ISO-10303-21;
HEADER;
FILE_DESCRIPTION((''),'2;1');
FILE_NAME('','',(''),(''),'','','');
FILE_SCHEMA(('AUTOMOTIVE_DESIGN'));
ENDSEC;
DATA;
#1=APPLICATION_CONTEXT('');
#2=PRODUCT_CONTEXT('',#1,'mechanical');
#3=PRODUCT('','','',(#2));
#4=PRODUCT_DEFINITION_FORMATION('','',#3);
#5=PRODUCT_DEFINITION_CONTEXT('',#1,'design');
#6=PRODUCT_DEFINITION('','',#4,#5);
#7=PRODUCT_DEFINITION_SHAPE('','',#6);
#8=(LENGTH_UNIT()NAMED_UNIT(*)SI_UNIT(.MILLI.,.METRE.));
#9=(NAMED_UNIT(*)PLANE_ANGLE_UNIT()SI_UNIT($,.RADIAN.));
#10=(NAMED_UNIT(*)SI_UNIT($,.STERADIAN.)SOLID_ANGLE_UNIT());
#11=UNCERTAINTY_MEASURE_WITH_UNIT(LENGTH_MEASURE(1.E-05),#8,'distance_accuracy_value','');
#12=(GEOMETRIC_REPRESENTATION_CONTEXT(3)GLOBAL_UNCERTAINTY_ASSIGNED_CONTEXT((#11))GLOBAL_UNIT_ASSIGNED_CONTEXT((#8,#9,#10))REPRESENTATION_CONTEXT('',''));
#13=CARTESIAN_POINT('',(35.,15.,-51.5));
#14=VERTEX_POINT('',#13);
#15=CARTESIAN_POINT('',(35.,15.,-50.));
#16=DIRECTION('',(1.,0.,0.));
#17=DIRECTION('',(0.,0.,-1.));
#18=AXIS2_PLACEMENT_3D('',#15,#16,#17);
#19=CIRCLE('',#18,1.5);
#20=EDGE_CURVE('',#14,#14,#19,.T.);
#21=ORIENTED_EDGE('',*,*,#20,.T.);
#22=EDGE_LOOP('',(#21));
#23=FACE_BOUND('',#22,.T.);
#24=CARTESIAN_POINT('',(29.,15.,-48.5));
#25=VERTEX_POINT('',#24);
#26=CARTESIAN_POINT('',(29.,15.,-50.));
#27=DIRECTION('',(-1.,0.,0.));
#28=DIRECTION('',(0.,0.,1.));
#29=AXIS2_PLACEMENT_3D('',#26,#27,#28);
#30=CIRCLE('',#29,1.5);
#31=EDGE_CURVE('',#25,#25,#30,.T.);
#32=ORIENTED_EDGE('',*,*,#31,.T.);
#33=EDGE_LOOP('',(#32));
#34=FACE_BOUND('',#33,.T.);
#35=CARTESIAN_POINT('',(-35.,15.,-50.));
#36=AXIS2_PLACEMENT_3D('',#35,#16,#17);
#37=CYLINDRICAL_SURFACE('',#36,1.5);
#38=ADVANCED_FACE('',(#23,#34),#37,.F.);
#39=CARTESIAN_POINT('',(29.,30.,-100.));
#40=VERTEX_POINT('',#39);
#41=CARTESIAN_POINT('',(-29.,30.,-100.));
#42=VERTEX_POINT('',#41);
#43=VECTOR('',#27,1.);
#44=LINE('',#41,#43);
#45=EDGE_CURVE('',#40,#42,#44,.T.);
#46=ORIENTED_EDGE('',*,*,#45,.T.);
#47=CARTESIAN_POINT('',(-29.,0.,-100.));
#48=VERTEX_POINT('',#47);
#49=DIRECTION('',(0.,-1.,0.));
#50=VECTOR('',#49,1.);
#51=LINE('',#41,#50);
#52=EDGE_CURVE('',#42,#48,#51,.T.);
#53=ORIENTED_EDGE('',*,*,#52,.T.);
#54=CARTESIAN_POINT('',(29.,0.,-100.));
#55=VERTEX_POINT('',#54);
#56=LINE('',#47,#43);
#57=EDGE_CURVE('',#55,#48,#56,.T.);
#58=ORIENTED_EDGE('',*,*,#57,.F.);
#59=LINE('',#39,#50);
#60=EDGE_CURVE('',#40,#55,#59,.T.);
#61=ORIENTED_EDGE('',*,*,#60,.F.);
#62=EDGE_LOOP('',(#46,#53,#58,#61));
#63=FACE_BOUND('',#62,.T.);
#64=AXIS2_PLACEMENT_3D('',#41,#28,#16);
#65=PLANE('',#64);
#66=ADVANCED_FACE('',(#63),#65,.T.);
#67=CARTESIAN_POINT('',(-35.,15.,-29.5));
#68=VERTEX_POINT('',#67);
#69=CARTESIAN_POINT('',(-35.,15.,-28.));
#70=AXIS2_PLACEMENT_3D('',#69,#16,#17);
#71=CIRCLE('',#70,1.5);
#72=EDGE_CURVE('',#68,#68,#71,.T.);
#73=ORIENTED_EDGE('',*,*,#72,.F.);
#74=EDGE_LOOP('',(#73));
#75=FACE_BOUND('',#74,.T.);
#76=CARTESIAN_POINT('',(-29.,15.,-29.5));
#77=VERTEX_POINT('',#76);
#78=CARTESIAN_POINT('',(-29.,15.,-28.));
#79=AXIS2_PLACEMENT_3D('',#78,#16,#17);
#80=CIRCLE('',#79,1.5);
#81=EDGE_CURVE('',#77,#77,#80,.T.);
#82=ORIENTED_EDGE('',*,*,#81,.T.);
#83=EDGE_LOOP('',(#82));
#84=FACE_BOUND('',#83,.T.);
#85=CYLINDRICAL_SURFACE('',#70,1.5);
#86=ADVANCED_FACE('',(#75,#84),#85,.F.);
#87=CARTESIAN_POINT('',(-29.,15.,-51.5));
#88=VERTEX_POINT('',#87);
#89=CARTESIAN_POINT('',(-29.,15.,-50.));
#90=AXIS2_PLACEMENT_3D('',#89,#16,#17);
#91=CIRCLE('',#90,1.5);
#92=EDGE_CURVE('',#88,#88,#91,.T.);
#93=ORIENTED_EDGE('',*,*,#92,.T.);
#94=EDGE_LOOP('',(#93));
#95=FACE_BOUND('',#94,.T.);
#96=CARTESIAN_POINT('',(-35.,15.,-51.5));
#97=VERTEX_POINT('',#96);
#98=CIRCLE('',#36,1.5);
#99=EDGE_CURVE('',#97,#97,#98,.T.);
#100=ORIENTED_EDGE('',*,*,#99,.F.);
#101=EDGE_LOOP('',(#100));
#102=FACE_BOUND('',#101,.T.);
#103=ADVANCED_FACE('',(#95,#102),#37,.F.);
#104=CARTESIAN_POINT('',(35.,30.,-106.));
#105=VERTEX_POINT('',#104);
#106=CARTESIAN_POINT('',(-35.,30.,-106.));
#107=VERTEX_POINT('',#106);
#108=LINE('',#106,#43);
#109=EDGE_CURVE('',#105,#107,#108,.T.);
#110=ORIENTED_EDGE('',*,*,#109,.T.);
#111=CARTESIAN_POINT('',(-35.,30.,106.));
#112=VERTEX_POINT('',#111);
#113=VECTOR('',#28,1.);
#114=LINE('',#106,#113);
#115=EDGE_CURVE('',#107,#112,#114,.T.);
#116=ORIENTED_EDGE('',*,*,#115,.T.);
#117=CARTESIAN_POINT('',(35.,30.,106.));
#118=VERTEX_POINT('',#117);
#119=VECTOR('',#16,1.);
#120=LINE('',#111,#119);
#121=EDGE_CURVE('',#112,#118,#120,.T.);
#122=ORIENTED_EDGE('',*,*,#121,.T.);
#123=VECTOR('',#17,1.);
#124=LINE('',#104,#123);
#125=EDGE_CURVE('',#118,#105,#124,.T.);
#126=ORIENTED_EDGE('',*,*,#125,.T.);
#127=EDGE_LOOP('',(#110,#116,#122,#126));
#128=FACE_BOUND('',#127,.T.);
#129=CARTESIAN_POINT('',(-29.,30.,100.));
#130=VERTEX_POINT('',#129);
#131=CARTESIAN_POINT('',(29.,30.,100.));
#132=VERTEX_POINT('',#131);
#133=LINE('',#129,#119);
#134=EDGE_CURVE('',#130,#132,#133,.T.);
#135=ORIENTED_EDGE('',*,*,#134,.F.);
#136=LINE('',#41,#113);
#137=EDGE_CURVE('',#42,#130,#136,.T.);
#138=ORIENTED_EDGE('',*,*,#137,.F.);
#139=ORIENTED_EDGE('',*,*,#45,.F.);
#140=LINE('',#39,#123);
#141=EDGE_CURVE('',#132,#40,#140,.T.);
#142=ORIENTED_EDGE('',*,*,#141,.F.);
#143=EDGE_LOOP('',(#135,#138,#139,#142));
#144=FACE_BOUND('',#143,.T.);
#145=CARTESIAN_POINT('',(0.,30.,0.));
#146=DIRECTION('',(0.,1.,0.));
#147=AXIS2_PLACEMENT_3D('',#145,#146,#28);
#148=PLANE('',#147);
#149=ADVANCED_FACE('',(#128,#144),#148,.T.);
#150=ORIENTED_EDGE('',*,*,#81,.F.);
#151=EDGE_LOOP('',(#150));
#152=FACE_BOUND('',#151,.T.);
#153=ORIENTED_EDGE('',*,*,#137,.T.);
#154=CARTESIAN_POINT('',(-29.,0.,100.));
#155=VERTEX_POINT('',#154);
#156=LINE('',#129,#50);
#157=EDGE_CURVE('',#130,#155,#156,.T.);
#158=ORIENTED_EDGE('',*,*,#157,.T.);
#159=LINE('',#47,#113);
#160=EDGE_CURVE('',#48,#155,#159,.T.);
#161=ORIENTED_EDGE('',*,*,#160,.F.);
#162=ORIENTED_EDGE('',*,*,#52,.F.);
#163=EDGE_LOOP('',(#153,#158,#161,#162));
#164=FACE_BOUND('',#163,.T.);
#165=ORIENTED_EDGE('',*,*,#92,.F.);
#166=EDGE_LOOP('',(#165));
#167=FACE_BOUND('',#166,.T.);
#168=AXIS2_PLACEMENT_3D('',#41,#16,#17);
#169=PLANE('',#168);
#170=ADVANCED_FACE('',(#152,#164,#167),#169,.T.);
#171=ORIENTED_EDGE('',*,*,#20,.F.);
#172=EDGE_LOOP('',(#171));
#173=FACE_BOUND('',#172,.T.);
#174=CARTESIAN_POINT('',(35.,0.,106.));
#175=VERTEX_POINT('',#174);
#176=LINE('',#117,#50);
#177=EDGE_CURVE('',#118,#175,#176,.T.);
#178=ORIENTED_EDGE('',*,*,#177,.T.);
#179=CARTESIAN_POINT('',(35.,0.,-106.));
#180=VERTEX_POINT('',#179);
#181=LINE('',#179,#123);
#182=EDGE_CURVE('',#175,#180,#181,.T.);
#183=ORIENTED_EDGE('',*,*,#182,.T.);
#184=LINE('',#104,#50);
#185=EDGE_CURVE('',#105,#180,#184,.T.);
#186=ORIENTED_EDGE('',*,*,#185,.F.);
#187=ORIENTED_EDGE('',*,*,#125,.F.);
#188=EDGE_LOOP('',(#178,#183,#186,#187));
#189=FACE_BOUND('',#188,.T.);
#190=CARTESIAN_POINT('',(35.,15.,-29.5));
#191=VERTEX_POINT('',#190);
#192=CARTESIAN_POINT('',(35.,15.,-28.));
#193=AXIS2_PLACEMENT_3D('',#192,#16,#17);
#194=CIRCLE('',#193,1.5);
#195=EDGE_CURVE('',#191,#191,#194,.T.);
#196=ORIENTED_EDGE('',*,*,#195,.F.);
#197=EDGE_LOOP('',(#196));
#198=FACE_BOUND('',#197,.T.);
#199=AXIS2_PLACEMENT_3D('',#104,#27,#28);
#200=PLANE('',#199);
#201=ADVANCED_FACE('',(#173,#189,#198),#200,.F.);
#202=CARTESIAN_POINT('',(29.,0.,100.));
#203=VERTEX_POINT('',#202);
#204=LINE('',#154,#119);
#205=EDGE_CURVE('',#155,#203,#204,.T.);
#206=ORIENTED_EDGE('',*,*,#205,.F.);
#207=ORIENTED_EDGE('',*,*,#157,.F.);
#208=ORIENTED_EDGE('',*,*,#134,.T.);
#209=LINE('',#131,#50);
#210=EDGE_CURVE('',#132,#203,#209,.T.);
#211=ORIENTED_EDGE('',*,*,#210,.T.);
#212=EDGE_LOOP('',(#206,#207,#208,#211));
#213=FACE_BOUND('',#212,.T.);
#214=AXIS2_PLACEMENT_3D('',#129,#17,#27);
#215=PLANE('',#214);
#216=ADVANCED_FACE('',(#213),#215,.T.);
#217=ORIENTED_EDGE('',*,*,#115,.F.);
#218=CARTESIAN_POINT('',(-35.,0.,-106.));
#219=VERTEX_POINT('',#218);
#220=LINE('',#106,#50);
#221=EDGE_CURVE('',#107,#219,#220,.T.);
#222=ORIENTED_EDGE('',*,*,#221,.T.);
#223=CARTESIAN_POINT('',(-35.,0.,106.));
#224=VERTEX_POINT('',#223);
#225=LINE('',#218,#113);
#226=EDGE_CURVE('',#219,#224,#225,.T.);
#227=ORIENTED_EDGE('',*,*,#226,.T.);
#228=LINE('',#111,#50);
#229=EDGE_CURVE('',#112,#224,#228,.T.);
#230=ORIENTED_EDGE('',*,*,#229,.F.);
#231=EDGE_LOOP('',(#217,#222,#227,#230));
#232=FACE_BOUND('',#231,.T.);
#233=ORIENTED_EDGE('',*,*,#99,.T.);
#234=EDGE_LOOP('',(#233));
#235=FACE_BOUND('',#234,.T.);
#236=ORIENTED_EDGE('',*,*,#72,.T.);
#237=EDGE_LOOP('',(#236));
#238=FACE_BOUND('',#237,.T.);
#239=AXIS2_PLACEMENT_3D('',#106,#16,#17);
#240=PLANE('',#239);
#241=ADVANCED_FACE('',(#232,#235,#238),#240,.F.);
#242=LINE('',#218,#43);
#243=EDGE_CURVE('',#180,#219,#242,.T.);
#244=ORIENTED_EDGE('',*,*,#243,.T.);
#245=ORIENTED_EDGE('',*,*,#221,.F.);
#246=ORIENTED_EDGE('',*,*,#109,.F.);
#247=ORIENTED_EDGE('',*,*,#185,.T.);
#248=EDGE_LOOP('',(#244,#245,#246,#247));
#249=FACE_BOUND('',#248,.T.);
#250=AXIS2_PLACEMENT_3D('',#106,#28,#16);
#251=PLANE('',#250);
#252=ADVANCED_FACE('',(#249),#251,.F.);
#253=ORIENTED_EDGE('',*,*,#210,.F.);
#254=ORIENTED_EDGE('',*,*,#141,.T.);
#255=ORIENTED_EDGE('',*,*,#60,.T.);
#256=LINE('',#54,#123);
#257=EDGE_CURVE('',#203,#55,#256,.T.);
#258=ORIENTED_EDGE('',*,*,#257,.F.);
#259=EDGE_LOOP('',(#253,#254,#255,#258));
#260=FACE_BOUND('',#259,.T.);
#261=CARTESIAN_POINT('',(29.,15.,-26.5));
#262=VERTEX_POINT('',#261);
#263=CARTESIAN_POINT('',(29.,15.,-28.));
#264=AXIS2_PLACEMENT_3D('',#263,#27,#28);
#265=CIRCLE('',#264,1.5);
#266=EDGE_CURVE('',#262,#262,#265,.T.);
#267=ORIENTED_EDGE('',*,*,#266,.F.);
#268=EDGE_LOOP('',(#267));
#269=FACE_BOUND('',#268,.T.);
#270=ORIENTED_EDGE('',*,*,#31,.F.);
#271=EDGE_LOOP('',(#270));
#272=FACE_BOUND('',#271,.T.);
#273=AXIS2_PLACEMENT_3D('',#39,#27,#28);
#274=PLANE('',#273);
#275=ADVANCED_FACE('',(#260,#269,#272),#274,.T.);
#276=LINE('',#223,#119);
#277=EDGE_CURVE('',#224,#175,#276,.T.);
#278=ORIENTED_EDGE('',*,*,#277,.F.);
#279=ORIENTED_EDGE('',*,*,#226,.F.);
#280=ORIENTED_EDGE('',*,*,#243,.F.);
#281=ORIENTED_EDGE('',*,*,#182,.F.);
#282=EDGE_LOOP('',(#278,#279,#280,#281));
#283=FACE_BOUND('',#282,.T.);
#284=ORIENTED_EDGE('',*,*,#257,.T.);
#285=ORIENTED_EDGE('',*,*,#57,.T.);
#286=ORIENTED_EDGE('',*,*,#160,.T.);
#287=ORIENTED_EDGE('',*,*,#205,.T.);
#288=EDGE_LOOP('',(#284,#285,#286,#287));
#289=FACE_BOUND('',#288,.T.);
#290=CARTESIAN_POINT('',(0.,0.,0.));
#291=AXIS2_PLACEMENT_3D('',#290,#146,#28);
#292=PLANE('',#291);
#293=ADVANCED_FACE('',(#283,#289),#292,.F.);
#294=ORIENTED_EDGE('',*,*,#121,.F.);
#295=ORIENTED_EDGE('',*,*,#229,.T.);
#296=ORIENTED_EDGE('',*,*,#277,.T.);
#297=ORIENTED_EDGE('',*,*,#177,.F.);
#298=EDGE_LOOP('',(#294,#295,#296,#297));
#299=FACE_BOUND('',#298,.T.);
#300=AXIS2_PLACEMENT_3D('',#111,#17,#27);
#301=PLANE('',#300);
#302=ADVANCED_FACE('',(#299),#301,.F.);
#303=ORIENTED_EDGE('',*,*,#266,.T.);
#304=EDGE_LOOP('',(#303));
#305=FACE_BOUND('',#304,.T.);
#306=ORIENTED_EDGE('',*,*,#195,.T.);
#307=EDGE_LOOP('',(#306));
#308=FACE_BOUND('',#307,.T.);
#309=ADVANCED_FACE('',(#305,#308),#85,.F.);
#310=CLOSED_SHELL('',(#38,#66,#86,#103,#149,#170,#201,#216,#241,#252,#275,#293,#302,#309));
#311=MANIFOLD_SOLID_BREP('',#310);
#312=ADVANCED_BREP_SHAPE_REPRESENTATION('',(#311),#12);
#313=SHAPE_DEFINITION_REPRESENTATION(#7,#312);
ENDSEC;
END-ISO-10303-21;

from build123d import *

# Parameters (mm, degrees)
SKETCH1_W           = 70
SKETCH1_H           = 212
SKETCH1_W_2         = 58
SKETCH1_H_2         = 200
BOSS_EXTRUDE1_DEPTH = 30
SKETCH2_R           = 1.5
CUT_EXTRUDE1_DEPTH  = 131.522028792


with BuildPart() as part:
    # Sketch1 → Boss-Extrude1 (new body)
    with BuildSketch(Plane(origin=(0, 0, 0), x_dir=(1, 0, 0), z_dir=(0, 1, 0))):
        Rectangle(SKETCH1_W, SKETCH1_H)
        Rectangle(SKETCH1_W_2, SKETCH1_H_2, mode=Mode.SUBTRACT)
    extrude(amount=BOSS_EXTRUDE1_DEPTH)

    # Sketch2 → Cut-Extrude1 (cut, through all)
    with BuildSketch(Plane(origin=(35, 0, 0), x_dir=(0, 0, -1), z_dir=(1, 0, 0))):
        with Locations((50, 15)):
            Circle(SKETCH2_R)
        with Locations((28, 15)):
            Circle(SKETCH2_R)
    extrude(amount=-CUT_EXTRUDE1_DEPTH, mode=Mode.SUBTRACT)


solid = part.part
